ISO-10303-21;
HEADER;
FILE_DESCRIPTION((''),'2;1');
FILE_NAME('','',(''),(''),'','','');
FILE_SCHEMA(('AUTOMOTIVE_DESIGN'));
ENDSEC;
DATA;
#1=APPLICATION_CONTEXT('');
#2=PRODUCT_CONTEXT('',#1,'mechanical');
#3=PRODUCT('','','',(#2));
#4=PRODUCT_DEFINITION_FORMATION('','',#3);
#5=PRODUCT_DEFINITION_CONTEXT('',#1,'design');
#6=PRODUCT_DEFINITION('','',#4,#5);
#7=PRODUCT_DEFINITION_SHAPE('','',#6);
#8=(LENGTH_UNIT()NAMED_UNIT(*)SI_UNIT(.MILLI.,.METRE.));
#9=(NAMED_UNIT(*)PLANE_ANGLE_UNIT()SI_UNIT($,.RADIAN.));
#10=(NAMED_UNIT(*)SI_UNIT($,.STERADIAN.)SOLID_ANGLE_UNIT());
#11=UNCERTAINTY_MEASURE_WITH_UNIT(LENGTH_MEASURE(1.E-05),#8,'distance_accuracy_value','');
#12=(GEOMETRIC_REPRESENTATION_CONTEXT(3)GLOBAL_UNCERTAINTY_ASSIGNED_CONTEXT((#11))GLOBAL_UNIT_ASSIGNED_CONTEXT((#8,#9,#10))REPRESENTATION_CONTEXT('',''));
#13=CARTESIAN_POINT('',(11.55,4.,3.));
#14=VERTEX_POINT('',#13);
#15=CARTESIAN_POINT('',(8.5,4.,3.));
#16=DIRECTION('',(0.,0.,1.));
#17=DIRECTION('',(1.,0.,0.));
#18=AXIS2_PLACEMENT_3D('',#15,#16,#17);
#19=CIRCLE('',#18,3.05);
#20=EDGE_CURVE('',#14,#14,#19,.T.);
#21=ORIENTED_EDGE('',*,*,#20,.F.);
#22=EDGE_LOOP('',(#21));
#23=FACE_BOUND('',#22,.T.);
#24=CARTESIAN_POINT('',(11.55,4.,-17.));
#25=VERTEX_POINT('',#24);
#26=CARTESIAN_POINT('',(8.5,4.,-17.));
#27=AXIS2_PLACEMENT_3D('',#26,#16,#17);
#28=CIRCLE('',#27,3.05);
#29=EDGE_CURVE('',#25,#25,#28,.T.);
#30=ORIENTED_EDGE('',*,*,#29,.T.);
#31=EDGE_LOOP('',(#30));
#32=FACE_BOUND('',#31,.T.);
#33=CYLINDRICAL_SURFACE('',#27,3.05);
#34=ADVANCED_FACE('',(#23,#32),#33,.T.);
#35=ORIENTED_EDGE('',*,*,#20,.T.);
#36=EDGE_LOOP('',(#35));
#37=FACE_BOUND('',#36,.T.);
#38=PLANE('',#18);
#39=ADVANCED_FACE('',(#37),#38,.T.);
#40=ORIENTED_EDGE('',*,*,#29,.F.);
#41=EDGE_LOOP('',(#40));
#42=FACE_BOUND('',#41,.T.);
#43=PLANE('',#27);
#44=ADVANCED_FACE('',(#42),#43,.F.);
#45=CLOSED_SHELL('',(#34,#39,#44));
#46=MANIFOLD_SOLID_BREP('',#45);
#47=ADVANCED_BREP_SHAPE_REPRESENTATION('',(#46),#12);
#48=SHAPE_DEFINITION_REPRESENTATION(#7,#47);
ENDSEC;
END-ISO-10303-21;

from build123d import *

# Parameters (mm, degrees)
SKETCH1_R                = 3.05
BOSS_EXTRUDE1_DEPTH      = 3
BOSS_EXTRUDE1_DEPTH_BACK = 17


with BuildPart() as part:
    # Sketch1 → Boss-Extrude1 (new body, two sides)
    with BuildSketch(Plane.XY) as boss_extrude1_sk:
        with Locations((8.5, 4)):
            Circle(SKETCH1_R)
    extrude(amount=BOSS_EXTRUDE1_DEPTH)
    extrude(boss_extrude1_sk.sketch, amount=-BOSS_EXTRUDE1_DEPTH_BACK)


solid = part.part
